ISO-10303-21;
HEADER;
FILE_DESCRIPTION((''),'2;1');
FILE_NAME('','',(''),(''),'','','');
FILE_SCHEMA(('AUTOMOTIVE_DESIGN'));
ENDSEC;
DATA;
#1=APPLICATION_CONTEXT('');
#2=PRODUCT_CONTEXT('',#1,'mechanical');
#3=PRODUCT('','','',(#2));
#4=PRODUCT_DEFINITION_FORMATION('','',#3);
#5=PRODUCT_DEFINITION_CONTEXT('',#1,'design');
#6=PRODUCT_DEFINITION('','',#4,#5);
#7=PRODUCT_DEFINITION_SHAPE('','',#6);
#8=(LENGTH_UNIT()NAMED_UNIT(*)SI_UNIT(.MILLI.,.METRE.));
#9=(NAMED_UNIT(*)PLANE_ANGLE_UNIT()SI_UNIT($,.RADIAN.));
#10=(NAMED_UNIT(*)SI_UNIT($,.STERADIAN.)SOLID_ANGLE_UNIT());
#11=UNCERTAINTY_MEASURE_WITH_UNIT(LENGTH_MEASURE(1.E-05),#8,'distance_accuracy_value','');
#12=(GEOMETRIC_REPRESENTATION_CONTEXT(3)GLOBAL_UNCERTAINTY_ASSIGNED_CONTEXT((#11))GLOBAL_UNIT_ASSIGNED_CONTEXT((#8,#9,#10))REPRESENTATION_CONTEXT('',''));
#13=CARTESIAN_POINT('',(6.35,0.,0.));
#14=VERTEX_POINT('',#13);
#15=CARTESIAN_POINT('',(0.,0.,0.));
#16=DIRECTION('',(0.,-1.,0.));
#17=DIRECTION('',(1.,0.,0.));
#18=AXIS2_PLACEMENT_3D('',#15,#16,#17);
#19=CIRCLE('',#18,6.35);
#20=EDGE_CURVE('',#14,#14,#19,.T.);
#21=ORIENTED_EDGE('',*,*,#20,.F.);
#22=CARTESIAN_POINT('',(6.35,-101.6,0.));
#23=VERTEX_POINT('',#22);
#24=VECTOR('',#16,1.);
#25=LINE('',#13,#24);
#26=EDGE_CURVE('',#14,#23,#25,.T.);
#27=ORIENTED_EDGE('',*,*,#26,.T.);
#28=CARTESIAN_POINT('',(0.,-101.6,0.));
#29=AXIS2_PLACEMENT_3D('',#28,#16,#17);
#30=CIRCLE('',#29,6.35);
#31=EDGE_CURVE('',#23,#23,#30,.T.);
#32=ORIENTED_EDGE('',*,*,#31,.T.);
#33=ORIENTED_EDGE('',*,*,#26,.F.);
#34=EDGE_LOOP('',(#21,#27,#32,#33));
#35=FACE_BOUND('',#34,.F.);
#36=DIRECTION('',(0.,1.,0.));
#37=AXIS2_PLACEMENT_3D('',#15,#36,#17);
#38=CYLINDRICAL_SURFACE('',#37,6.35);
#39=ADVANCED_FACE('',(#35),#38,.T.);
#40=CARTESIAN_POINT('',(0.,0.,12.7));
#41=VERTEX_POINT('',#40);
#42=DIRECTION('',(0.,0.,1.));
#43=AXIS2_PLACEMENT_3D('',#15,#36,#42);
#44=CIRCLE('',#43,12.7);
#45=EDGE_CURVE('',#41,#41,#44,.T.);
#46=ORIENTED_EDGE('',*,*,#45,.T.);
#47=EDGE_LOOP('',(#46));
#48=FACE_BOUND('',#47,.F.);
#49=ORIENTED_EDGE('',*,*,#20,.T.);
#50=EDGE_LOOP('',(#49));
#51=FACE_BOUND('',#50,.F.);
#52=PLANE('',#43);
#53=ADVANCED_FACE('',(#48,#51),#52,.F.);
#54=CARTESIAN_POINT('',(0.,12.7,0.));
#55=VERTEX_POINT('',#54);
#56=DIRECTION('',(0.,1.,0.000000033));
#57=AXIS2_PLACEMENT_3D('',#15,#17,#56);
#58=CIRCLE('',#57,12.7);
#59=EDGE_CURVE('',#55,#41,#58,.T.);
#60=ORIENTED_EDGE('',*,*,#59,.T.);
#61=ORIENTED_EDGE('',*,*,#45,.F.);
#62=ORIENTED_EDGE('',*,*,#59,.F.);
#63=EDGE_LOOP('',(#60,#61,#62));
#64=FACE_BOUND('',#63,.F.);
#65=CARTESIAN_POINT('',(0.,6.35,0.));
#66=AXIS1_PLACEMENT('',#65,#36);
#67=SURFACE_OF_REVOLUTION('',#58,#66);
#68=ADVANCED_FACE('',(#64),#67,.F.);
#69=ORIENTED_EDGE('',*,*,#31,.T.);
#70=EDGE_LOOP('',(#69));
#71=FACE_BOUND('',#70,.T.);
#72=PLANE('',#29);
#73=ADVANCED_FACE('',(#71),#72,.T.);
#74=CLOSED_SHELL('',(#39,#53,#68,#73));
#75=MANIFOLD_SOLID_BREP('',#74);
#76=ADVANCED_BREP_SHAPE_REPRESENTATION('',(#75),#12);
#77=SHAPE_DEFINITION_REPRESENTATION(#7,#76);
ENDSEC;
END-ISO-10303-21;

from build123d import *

# Parameters (mm, degrees)
F0_R     = 6.35
F1_DEPTH = 101.6


with BuildPart() as f1:
    # F0 (on Front) → F1 (new body)
    with BuildSketch(Plane.XZ):
        Circle(F0_R)
    extrude(amount=F1_DEPTH)

    # F2 (on Right) → F3 (revolve)
    with BuildSketch(Plane.YZ):
        with BuildLine():
            Line((0, 12.7), (0, 0))
            Line((0, 0), (12.7, 0))
            ThreePointArc((12.7, 0), (8.980256, 8.980256), (0, 12.7))
        make_face()
    revolve(axis=Axis((0, 6.35, 0), (0, 1, 0)))


solid = f1.part
